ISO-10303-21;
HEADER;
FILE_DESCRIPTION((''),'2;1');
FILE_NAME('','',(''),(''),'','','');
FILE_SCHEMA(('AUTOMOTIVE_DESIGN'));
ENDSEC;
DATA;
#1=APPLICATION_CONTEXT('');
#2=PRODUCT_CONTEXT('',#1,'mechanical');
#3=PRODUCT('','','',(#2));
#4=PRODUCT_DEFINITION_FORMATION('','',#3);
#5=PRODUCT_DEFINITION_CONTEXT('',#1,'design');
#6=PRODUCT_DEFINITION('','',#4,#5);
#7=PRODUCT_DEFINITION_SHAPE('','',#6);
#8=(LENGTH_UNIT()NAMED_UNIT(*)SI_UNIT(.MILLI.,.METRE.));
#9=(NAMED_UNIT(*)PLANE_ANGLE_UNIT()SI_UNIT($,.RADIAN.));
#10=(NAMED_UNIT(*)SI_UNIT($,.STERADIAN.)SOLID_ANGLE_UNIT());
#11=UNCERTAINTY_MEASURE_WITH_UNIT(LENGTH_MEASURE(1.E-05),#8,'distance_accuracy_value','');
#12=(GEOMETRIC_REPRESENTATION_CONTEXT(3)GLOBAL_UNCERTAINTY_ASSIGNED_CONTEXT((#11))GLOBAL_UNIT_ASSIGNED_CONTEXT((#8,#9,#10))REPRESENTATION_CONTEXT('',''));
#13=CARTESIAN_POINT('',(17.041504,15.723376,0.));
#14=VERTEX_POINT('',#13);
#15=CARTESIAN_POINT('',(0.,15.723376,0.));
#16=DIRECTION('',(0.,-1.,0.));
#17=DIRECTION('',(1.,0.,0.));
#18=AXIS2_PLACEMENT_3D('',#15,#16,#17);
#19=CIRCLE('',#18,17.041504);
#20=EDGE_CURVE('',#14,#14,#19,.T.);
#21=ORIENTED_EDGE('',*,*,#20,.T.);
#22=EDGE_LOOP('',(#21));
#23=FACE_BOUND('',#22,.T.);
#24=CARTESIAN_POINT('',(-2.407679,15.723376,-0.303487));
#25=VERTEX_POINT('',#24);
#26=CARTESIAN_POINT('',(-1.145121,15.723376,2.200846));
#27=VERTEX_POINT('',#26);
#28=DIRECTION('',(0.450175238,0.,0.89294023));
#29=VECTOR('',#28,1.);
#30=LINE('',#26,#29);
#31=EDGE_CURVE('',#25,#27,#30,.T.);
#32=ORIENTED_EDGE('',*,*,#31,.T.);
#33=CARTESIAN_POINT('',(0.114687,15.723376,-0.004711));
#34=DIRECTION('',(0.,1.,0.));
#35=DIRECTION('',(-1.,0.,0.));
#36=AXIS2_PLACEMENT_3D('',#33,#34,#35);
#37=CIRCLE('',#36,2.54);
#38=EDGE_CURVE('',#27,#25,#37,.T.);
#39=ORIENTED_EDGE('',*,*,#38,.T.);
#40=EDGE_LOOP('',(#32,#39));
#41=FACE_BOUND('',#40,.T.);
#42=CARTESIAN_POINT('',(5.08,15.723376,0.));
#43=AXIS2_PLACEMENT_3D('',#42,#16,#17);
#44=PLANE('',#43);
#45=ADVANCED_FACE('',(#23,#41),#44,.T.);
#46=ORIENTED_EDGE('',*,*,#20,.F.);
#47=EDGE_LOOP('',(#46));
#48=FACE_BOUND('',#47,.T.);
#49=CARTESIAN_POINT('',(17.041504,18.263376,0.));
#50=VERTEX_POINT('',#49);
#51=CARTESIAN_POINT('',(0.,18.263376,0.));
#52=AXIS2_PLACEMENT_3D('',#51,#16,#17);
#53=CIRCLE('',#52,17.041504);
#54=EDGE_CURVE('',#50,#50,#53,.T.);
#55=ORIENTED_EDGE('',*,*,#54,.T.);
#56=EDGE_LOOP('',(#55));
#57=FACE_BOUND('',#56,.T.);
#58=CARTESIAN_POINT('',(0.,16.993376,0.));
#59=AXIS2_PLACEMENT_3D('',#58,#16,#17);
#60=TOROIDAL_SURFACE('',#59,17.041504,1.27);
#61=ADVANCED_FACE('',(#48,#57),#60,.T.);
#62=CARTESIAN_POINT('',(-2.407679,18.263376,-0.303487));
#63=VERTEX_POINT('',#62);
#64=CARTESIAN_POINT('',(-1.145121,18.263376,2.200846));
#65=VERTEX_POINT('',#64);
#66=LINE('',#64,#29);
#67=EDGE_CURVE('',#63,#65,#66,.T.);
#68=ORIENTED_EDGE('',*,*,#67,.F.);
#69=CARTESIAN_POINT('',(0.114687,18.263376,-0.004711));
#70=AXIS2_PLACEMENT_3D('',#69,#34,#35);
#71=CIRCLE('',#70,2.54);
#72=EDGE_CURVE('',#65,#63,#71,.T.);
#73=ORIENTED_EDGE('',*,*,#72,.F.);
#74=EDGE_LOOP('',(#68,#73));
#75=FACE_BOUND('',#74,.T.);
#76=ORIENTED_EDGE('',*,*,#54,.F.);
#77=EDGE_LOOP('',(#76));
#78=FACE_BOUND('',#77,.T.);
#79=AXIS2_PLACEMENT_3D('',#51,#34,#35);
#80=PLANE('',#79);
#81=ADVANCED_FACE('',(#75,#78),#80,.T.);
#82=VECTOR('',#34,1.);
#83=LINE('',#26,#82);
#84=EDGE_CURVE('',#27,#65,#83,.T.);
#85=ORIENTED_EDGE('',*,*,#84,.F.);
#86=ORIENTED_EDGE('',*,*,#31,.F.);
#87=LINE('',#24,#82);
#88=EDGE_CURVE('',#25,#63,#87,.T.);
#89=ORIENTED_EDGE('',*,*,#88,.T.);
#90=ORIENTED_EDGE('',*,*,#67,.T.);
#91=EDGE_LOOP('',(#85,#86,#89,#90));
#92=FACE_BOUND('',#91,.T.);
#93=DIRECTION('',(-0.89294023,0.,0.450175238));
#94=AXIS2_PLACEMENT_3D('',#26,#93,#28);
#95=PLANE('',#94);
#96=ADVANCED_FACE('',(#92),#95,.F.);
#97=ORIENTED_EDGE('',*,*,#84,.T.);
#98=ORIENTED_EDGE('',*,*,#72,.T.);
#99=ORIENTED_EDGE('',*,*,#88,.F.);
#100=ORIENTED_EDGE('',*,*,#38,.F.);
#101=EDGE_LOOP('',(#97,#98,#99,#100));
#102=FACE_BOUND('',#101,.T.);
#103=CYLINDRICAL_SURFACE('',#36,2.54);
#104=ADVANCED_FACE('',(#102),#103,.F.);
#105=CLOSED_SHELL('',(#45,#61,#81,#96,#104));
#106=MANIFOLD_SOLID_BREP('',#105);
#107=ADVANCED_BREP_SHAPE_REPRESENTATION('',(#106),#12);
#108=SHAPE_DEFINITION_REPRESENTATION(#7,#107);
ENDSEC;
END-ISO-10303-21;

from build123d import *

# Parameters (mm, degrees)
CUT_EXTRUDE1_DEPTH = 27.020644672


with BuildPart() as part:
    # Sketch2 → Revolve1 (revolve)
    with BuildSketch(Plane.XY):
        with BuildLine():
            Line((0, 15.723376421), (0, 18.263376421))
            Line((0, 18.263376421), (17.041503786, 18.263376421))
            ThreePointArc((17.041503786, 18.263376421), (18.311503786, 16.993376421), (17.041503786, 15.723376421))
            Line((17.041503786, 15.723376421), (5.08, 15.723376421))
            Line((5.08, 15.723376421), (0, 15.723376421))
        make_face()
    revolve(axis=Axis((0, 15.723376421, 0), (0, 1, 0)))

    # Sketch3 → Cut-Extrude1 (cut, through all)
    with BuildSketch(Plane(origin=(0, 18.263376421, 0), x_dir=(1, 0, 0), z_dir=(0, 1, 0))):
        with BuildLine():
            Line((-1.145121305, -2.200846331), (-2.40767917, 0.303486678))
            ThreePointArc((-2.40767917, 0.303486678), (2.382755553, 1.148155871), (-1.145121305, -2.200846331))
        make_face()
    extrude(amount=-CUT_EXTRUDE1_DEPTH, mode=Mode.SUBTRACT)


solid = part.part
